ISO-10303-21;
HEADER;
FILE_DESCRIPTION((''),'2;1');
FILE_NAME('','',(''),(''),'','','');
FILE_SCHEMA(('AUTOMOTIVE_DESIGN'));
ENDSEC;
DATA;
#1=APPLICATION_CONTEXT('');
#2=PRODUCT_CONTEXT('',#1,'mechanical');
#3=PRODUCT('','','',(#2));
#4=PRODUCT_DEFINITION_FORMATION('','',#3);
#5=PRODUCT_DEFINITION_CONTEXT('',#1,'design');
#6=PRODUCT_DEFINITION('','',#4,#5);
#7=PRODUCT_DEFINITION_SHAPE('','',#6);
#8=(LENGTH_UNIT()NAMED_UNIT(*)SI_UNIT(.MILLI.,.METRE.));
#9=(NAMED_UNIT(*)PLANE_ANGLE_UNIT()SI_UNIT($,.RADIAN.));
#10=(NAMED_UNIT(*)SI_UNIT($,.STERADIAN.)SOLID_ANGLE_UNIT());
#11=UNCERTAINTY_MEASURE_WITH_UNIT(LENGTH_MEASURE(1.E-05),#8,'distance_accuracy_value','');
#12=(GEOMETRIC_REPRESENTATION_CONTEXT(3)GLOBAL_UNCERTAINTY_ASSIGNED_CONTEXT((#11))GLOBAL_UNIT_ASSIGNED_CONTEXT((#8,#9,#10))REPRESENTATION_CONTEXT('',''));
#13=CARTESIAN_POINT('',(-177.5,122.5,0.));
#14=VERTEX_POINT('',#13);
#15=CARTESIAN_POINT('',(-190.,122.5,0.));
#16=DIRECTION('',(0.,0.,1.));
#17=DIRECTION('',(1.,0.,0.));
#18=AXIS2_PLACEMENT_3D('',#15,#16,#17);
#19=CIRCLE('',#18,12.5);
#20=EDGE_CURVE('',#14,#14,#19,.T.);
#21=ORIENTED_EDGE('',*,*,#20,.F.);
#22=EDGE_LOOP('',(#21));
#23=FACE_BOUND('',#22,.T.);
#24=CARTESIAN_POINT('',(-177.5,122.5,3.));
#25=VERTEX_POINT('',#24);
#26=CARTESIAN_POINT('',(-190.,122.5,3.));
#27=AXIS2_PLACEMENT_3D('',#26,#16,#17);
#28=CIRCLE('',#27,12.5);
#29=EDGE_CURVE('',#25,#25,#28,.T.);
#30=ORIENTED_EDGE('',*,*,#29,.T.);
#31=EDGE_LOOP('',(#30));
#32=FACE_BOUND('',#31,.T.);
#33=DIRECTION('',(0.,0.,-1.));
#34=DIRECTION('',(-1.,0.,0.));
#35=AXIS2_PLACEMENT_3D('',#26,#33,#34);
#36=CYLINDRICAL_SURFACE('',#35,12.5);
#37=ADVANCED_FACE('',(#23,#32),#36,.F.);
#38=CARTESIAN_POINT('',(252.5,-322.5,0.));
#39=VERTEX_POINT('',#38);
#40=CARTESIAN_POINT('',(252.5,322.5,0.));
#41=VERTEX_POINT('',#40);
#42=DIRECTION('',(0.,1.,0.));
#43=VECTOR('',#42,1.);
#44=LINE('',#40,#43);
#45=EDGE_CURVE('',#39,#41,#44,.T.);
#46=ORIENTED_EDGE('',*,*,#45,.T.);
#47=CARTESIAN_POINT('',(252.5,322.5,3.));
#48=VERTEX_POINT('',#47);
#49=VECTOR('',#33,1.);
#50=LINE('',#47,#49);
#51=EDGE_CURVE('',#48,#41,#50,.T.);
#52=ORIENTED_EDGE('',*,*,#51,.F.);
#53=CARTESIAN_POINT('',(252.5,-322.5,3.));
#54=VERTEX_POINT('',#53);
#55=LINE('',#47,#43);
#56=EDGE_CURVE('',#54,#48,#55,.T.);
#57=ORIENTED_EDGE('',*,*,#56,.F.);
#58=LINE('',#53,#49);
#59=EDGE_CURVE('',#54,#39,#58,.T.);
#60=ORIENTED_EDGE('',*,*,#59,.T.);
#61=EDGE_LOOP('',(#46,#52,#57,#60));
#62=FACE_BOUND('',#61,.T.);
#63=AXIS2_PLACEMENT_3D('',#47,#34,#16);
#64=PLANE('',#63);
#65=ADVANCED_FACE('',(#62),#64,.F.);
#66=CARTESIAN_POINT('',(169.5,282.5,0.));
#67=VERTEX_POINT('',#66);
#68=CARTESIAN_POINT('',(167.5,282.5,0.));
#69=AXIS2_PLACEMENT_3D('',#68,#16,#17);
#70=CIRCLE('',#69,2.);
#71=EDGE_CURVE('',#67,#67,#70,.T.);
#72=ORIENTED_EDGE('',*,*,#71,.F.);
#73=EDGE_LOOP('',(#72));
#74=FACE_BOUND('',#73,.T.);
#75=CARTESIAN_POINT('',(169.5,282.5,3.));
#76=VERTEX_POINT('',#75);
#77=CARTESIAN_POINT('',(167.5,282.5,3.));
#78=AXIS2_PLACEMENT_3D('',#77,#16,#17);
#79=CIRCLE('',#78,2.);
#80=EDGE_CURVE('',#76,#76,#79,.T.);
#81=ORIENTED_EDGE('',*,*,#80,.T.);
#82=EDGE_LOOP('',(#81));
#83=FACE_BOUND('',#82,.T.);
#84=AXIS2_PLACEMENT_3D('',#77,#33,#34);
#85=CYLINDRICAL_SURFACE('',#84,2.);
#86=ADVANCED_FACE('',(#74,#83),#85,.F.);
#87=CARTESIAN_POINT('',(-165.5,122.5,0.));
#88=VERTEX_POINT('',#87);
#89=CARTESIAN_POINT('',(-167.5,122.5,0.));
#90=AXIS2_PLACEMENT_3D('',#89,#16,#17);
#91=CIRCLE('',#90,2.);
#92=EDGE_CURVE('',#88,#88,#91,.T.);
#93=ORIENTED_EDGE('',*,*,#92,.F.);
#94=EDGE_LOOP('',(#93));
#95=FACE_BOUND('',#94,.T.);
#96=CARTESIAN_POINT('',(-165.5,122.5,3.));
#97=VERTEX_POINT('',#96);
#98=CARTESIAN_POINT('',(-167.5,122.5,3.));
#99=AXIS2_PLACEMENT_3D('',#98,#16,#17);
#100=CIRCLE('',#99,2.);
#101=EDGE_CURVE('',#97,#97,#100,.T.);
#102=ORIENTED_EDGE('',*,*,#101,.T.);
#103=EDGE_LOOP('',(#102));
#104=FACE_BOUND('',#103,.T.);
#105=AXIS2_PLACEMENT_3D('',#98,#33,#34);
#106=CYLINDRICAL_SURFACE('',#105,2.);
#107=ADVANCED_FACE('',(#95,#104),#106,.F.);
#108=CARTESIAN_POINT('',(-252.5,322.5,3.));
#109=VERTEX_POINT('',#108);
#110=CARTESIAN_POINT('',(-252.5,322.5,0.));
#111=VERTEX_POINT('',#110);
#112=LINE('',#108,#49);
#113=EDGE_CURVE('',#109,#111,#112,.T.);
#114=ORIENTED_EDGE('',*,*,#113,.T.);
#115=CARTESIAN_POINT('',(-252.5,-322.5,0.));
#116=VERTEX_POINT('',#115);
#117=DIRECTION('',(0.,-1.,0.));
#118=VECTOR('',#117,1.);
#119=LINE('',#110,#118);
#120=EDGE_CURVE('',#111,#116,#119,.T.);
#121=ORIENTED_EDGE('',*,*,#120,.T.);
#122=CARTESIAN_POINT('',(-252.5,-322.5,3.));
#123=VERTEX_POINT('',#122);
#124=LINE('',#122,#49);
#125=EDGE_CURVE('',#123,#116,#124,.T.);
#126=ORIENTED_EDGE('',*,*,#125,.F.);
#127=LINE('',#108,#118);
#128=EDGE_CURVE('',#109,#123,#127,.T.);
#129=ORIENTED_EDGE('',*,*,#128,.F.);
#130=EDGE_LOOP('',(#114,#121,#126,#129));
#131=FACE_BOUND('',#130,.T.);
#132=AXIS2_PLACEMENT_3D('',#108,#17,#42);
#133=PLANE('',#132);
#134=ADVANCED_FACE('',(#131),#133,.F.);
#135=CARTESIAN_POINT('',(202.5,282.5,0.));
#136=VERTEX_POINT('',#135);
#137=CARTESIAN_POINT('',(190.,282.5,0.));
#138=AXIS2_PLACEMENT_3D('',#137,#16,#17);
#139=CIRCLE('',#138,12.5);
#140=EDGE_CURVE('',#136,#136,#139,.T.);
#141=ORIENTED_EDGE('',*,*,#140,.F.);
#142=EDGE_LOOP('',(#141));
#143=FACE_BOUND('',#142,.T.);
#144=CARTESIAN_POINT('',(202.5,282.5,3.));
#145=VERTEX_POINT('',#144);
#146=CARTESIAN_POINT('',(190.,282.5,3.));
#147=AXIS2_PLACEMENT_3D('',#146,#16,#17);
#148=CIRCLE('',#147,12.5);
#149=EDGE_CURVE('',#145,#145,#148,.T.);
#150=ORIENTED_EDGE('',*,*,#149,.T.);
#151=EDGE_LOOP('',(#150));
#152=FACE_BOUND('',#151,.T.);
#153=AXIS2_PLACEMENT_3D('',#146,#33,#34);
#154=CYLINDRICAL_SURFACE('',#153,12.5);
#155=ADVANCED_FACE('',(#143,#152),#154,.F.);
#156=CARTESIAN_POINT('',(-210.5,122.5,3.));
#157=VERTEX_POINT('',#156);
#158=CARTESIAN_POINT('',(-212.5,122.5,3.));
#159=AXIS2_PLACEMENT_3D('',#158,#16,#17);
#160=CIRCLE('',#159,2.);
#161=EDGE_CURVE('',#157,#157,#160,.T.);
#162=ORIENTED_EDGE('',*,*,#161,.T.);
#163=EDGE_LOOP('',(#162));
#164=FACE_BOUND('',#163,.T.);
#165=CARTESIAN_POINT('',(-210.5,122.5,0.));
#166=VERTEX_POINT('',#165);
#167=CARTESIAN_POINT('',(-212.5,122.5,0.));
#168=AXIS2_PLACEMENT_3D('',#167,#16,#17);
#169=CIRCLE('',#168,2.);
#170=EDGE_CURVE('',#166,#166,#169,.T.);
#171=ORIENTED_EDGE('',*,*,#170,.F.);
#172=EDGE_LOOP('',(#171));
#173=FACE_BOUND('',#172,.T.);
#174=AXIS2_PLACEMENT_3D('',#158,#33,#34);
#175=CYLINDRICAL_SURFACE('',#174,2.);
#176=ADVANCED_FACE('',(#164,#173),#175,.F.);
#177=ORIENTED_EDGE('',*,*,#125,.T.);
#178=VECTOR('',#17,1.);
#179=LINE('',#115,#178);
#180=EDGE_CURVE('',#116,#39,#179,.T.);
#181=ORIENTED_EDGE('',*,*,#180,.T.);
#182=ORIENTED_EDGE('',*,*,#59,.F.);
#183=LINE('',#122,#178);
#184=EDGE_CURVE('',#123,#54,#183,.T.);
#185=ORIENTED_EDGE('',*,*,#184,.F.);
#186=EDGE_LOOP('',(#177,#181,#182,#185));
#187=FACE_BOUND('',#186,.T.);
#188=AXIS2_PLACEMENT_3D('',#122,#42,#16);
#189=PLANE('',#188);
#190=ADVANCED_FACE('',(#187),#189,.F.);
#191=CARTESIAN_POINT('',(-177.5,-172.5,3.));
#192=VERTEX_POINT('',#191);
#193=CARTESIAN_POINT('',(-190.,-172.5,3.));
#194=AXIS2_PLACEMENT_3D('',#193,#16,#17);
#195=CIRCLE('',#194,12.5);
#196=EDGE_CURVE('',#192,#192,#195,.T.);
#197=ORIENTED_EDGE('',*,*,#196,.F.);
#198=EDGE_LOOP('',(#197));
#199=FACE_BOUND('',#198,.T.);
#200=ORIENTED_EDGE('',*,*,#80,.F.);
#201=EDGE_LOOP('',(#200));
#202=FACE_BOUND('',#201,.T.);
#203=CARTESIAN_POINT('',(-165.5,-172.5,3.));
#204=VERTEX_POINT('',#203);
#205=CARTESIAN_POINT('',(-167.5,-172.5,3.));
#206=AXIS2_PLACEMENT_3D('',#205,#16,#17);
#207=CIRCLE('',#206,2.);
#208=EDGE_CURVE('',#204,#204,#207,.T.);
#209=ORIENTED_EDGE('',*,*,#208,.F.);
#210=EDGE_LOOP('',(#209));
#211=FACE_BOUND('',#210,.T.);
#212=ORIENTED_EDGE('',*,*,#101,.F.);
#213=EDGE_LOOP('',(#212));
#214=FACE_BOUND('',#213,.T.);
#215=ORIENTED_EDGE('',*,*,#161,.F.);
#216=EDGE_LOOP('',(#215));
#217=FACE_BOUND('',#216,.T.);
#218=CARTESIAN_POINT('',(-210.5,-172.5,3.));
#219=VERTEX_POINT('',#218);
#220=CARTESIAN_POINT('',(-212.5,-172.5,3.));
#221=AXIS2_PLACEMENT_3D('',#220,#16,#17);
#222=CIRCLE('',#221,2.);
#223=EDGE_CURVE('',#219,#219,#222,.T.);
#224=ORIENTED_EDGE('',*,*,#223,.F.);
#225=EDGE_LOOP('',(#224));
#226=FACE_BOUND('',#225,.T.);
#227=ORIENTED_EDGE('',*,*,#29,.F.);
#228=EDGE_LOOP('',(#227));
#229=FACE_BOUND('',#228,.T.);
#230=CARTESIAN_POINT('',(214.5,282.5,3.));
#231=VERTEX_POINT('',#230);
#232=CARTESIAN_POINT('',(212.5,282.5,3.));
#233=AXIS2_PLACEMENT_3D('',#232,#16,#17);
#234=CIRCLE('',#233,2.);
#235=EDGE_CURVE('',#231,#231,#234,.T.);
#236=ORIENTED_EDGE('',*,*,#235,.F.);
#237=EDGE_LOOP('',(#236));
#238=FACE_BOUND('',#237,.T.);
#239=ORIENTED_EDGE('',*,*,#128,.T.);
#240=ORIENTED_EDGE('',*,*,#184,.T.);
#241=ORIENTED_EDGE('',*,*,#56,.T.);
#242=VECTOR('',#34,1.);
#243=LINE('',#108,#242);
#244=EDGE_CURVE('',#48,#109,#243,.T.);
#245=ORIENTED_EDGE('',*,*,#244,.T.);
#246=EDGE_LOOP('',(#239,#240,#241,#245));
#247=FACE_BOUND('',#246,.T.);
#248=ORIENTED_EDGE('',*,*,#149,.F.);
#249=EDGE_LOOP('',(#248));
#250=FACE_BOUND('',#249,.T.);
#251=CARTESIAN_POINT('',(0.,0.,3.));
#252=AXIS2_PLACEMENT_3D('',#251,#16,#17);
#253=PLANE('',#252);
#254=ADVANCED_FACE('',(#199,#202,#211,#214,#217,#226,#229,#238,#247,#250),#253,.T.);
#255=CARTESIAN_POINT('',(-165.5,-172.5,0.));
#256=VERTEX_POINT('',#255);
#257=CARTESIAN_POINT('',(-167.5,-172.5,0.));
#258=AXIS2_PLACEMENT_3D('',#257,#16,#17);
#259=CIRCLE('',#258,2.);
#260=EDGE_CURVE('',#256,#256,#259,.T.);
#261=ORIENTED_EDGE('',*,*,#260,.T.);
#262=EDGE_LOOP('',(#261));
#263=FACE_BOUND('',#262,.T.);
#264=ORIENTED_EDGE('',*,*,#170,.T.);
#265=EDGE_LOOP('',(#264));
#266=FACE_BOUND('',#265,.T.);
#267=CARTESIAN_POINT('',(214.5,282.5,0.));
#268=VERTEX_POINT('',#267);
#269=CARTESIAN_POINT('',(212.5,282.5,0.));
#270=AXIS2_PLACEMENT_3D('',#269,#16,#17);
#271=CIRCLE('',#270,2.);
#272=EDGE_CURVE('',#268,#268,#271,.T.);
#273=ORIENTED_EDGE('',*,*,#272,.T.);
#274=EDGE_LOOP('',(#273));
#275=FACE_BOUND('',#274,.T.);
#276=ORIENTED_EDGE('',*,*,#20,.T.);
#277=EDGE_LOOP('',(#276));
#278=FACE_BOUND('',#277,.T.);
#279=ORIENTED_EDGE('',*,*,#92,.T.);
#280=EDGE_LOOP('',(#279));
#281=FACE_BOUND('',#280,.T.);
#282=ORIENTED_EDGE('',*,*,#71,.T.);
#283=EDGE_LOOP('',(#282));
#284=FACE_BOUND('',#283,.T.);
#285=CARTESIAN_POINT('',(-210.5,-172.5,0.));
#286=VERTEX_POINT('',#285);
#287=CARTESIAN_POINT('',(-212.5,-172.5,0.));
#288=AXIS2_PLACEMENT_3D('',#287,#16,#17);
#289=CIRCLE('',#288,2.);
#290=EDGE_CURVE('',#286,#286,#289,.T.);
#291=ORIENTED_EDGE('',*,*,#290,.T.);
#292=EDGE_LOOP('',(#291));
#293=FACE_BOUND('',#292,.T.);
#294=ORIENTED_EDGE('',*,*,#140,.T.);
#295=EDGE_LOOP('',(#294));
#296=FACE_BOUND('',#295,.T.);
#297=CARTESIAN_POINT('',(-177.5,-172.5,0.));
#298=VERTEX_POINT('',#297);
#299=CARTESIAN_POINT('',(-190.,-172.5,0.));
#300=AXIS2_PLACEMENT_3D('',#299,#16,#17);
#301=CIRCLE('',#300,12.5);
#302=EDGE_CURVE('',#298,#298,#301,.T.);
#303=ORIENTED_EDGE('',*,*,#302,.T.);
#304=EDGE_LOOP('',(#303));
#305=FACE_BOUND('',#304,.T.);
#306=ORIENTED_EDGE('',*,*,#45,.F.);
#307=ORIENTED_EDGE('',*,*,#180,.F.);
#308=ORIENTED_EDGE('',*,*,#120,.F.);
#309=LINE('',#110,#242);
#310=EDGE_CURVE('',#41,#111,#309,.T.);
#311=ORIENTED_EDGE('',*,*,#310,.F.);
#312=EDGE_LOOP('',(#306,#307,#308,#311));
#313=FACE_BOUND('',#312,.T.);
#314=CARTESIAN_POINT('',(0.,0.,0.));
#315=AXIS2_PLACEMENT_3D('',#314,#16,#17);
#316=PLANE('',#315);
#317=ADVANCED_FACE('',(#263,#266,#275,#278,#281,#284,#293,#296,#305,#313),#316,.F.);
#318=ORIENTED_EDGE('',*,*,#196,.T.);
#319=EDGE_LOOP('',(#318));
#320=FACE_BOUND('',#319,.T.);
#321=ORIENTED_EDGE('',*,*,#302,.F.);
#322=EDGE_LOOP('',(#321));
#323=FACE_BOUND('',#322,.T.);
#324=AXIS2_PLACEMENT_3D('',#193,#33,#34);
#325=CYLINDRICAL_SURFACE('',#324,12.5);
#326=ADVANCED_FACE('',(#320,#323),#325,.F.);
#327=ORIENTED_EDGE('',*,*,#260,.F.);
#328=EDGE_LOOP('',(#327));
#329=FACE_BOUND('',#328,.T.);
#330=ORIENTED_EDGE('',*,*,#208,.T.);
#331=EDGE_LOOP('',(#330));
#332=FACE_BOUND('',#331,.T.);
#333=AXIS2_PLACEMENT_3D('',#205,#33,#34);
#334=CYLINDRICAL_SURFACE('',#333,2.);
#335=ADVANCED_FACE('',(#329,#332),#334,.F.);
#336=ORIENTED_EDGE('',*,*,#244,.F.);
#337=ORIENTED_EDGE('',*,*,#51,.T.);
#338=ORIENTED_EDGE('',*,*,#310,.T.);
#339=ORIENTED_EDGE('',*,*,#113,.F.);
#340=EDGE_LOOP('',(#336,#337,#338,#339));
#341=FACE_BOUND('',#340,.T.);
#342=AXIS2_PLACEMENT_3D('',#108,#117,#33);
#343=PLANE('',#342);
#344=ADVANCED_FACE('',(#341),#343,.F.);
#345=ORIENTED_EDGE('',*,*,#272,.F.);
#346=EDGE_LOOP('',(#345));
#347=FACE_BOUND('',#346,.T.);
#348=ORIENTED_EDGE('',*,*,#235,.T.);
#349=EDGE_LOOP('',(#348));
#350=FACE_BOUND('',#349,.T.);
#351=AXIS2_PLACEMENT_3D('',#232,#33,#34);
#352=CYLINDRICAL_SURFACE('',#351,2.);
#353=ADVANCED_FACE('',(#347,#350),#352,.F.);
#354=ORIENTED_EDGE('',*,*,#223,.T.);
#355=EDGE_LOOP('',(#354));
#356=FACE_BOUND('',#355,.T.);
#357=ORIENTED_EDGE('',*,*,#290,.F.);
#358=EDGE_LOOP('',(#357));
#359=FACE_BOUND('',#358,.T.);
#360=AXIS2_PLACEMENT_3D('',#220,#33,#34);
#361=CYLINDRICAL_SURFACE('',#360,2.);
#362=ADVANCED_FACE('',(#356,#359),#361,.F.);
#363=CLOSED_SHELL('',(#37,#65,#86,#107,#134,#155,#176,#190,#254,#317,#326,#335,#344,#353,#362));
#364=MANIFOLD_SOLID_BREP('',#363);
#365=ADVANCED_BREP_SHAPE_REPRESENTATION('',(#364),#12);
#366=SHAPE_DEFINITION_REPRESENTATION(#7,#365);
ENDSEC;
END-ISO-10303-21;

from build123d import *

# Parameters (mm, degrees)
SKICA1_W                = 505
SKICA1_H                = 645
SKICA1_R                = 2
SKICA1_R_2              = 12.5
P_IDAT_VYSUNUT_M1_DEPTH = 3


with BuildPart() as part:
    # Skica1 → Přidat vysunutím1 (new body)
    with BuildSketch(Plane.XY):
        Rectangle(SKICA1_W, SKICA1_H)
        with Locations((-212.5, -172.5)):
            Circle(SKICA1_R, mode=Mode.SUBTRACT)
        with Locations((-190, -172.5)):
            Circle(SKICA1_R_2, mode=Mode.SUBTRACT)
        with Locations((-167.5, -172.5)):
            Circle(SKICA1_R, mode=Mode.SUBTRACT)
        with Locations((-212.5, 122.5)):
            Circle(SKICA1_R, mode=Mode.SUBTRACT)
        with Locations((-190, 122.5)):
            Circle(SKICA1_R_2, mode=Mode.SUBTRACT)
        with Locations((-167.5, 122.5)):
            Circle(SKICA1_R, mode=Mode.SUBTRACT)
        with Locations((167.5, 282.5)):
            Circle(SKICA1_R, mode=Mode.SUBTRACT)
        with Locations((190, 282.5)):
            Circle(SKICA1_R_2, mode=Mode.SUBTRACT)
        with Locations((212.5, 282.5)):
            Circle(SKICA1_R, mode=Mode.SUBTRACT)
    extrude(amount=P_IDAT_VYSUNUT_M1_DEPTH)


solid = part.part
